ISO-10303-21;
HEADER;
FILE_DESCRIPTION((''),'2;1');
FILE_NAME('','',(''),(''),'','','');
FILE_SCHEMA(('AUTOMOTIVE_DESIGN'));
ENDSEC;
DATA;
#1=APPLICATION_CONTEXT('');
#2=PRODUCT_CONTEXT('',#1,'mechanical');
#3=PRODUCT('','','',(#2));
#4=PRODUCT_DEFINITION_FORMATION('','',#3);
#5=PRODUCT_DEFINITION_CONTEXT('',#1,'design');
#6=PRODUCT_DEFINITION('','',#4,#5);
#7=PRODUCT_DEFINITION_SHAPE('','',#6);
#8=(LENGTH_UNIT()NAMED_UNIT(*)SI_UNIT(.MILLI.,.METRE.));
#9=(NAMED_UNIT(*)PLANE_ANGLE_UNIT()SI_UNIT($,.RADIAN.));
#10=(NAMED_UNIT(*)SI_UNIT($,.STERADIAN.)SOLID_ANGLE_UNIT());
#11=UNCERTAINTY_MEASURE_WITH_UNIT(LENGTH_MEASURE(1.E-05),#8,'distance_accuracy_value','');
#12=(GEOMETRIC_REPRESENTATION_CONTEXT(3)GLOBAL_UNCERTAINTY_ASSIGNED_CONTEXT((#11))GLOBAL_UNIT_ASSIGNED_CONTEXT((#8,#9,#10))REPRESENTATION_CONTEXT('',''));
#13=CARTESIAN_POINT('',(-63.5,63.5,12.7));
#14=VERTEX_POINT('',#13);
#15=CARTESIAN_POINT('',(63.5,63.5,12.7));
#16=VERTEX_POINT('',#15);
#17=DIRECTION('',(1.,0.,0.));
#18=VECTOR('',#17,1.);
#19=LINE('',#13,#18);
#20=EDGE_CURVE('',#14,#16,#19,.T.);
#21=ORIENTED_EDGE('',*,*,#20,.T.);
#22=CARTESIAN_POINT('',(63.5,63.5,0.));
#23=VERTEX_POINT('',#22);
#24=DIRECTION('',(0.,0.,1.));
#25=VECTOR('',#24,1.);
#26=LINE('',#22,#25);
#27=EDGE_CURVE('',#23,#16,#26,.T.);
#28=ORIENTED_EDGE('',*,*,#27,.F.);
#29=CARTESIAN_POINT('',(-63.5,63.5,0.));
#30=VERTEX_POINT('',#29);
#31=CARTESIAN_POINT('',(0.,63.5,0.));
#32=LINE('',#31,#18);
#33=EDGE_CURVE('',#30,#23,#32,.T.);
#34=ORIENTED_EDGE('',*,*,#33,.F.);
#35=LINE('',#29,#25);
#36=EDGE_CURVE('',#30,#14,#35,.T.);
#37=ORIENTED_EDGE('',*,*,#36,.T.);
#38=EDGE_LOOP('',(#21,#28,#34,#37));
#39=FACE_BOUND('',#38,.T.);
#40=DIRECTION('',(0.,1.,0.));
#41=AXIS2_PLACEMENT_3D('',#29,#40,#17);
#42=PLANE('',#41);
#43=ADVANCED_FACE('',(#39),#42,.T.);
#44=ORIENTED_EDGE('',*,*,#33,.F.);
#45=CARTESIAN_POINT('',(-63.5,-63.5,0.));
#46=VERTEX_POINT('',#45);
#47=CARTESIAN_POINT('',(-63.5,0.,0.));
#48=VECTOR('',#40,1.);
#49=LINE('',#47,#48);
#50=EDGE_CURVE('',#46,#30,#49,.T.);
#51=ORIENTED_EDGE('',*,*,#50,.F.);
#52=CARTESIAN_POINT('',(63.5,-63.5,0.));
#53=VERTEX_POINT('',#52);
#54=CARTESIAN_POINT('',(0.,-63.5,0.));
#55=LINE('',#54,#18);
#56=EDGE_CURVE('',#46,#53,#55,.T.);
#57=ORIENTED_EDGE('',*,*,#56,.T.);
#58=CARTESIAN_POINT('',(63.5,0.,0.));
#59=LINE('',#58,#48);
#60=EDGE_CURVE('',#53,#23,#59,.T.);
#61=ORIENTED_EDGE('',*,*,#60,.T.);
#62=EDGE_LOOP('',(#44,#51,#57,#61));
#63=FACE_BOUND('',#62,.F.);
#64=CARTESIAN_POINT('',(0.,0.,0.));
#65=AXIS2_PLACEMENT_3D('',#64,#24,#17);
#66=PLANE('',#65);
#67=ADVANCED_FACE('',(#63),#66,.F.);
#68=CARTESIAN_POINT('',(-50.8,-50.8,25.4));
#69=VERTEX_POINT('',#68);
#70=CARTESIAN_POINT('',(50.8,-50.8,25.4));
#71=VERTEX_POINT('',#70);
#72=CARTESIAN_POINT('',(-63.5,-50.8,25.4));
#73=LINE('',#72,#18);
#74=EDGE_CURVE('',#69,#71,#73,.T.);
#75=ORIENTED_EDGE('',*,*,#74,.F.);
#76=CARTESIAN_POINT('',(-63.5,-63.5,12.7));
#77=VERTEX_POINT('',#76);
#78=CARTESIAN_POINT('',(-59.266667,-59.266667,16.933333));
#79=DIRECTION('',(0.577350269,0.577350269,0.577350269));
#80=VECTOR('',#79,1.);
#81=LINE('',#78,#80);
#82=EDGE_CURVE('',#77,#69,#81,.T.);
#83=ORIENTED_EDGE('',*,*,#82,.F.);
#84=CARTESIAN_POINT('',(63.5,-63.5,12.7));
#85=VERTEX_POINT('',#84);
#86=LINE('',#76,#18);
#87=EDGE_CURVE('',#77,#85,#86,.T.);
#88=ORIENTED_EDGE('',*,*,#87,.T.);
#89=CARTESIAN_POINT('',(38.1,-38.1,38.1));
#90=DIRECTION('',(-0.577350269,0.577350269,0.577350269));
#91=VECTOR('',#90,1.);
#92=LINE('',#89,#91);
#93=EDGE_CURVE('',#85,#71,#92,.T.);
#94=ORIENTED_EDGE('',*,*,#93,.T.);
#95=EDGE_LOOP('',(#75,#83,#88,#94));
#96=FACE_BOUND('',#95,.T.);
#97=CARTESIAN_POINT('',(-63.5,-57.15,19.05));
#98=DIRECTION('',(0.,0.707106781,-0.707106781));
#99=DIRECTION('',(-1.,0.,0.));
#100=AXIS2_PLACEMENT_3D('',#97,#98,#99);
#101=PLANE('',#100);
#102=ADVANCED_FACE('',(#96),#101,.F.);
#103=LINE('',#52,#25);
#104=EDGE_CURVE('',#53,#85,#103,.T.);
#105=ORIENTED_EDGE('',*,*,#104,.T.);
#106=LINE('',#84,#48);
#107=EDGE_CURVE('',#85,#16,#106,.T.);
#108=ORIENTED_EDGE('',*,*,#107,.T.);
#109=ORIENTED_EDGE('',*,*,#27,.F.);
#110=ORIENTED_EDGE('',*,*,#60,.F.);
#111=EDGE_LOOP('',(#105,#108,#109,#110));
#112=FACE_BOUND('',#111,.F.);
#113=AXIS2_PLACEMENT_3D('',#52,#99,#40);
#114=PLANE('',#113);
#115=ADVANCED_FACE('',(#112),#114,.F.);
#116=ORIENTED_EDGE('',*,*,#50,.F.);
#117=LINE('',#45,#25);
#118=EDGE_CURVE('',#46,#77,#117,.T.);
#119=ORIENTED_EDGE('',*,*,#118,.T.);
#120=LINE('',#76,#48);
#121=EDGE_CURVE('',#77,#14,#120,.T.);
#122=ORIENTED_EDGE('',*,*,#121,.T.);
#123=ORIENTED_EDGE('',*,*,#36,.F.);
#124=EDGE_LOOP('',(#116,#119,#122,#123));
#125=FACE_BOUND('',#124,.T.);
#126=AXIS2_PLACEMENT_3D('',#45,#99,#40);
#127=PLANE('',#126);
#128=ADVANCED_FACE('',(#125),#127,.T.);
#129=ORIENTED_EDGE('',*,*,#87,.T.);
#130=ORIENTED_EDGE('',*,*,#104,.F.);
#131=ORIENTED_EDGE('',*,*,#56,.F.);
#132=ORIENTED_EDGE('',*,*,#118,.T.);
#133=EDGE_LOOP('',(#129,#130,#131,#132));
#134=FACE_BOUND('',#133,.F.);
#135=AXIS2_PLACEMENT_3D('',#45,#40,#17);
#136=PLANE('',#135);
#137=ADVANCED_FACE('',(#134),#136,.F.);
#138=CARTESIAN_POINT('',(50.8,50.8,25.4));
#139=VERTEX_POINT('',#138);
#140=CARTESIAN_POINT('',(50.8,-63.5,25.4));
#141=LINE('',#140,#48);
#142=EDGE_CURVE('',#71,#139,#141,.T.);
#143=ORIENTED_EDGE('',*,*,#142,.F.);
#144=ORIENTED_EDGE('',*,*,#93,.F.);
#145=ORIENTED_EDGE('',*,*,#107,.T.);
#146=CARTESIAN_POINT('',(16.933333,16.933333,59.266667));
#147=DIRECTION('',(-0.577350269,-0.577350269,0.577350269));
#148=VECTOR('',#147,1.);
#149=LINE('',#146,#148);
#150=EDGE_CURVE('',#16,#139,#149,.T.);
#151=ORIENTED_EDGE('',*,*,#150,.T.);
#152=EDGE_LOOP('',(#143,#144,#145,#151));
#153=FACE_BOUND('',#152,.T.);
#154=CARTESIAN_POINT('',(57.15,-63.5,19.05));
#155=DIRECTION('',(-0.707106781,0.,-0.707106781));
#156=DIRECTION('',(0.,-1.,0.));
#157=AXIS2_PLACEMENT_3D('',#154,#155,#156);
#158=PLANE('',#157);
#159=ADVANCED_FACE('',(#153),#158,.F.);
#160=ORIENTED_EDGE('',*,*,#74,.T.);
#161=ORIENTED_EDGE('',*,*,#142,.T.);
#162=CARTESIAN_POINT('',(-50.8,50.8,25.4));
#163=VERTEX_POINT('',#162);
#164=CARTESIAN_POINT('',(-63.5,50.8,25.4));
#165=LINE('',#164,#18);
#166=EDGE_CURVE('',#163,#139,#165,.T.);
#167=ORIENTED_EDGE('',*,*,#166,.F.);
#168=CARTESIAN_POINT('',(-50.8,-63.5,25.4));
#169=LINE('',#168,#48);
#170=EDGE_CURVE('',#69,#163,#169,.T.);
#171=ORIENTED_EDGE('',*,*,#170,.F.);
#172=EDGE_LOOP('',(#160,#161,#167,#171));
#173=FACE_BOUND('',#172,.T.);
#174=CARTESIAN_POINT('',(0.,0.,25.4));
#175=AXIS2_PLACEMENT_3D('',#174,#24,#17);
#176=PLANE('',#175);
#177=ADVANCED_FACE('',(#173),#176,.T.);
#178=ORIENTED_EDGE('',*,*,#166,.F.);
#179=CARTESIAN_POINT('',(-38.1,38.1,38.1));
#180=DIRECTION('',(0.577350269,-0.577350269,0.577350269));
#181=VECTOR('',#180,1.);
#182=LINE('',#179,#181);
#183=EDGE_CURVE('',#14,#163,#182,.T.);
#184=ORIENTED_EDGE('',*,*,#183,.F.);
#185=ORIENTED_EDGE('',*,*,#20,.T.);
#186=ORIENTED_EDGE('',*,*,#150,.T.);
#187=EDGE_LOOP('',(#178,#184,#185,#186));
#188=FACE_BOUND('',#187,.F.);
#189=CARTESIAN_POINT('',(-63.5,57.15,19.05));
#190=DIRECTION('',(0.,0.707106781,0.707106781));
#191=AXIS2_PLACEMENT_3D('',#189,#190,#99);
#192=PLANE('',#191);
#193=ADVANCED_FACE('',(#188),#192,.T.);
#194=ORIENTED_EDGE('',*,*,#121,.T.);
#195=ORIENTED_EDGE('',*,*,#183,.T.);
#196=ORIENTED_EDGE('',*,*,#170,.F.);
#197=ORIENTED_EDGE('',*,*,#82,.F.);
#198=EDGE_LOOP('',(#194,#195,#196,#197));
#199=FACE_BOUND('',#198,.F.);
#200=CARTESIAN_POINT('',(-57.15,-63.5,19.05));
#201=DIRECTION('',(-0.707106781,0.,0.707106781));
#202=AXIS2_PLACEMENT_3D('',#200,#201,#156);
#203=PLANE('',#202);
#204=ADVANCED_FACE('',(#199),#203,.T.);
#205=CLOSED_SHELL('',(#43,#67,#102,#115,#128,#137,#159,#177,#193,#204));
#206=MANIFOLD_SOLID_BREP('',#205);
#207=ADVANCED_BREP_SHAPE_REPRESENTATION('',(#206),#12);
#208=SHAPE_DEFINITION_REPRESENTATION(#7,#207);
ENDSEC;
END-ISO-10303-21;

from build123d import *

# Parameters (mm, degrees)
F0_W     = 127
F0_H     = 127
F1_DEPTH = 25.4
F2_SIZE  = 12.7


with BuildPart() as f1:
    # F0 (on Top) → F1 (new body)
    with BuildSketch(Plane.XY):
        Rectangle(F0_W, F0_H)
    extrude(amount=F1_DEPTH)

    # F2
    f2_edges = [f1.edges().sort_by_distance(p)[0] for p in [
        (0, -63.5, 25.4),
        (-63.5, 0, 25.4),
        (63.5, 0, 25.4),
        (0, 63.5, 25.4),
    ]]
    chamfer(f2_edges, length=F2_SIZE)


solid = f1.part
